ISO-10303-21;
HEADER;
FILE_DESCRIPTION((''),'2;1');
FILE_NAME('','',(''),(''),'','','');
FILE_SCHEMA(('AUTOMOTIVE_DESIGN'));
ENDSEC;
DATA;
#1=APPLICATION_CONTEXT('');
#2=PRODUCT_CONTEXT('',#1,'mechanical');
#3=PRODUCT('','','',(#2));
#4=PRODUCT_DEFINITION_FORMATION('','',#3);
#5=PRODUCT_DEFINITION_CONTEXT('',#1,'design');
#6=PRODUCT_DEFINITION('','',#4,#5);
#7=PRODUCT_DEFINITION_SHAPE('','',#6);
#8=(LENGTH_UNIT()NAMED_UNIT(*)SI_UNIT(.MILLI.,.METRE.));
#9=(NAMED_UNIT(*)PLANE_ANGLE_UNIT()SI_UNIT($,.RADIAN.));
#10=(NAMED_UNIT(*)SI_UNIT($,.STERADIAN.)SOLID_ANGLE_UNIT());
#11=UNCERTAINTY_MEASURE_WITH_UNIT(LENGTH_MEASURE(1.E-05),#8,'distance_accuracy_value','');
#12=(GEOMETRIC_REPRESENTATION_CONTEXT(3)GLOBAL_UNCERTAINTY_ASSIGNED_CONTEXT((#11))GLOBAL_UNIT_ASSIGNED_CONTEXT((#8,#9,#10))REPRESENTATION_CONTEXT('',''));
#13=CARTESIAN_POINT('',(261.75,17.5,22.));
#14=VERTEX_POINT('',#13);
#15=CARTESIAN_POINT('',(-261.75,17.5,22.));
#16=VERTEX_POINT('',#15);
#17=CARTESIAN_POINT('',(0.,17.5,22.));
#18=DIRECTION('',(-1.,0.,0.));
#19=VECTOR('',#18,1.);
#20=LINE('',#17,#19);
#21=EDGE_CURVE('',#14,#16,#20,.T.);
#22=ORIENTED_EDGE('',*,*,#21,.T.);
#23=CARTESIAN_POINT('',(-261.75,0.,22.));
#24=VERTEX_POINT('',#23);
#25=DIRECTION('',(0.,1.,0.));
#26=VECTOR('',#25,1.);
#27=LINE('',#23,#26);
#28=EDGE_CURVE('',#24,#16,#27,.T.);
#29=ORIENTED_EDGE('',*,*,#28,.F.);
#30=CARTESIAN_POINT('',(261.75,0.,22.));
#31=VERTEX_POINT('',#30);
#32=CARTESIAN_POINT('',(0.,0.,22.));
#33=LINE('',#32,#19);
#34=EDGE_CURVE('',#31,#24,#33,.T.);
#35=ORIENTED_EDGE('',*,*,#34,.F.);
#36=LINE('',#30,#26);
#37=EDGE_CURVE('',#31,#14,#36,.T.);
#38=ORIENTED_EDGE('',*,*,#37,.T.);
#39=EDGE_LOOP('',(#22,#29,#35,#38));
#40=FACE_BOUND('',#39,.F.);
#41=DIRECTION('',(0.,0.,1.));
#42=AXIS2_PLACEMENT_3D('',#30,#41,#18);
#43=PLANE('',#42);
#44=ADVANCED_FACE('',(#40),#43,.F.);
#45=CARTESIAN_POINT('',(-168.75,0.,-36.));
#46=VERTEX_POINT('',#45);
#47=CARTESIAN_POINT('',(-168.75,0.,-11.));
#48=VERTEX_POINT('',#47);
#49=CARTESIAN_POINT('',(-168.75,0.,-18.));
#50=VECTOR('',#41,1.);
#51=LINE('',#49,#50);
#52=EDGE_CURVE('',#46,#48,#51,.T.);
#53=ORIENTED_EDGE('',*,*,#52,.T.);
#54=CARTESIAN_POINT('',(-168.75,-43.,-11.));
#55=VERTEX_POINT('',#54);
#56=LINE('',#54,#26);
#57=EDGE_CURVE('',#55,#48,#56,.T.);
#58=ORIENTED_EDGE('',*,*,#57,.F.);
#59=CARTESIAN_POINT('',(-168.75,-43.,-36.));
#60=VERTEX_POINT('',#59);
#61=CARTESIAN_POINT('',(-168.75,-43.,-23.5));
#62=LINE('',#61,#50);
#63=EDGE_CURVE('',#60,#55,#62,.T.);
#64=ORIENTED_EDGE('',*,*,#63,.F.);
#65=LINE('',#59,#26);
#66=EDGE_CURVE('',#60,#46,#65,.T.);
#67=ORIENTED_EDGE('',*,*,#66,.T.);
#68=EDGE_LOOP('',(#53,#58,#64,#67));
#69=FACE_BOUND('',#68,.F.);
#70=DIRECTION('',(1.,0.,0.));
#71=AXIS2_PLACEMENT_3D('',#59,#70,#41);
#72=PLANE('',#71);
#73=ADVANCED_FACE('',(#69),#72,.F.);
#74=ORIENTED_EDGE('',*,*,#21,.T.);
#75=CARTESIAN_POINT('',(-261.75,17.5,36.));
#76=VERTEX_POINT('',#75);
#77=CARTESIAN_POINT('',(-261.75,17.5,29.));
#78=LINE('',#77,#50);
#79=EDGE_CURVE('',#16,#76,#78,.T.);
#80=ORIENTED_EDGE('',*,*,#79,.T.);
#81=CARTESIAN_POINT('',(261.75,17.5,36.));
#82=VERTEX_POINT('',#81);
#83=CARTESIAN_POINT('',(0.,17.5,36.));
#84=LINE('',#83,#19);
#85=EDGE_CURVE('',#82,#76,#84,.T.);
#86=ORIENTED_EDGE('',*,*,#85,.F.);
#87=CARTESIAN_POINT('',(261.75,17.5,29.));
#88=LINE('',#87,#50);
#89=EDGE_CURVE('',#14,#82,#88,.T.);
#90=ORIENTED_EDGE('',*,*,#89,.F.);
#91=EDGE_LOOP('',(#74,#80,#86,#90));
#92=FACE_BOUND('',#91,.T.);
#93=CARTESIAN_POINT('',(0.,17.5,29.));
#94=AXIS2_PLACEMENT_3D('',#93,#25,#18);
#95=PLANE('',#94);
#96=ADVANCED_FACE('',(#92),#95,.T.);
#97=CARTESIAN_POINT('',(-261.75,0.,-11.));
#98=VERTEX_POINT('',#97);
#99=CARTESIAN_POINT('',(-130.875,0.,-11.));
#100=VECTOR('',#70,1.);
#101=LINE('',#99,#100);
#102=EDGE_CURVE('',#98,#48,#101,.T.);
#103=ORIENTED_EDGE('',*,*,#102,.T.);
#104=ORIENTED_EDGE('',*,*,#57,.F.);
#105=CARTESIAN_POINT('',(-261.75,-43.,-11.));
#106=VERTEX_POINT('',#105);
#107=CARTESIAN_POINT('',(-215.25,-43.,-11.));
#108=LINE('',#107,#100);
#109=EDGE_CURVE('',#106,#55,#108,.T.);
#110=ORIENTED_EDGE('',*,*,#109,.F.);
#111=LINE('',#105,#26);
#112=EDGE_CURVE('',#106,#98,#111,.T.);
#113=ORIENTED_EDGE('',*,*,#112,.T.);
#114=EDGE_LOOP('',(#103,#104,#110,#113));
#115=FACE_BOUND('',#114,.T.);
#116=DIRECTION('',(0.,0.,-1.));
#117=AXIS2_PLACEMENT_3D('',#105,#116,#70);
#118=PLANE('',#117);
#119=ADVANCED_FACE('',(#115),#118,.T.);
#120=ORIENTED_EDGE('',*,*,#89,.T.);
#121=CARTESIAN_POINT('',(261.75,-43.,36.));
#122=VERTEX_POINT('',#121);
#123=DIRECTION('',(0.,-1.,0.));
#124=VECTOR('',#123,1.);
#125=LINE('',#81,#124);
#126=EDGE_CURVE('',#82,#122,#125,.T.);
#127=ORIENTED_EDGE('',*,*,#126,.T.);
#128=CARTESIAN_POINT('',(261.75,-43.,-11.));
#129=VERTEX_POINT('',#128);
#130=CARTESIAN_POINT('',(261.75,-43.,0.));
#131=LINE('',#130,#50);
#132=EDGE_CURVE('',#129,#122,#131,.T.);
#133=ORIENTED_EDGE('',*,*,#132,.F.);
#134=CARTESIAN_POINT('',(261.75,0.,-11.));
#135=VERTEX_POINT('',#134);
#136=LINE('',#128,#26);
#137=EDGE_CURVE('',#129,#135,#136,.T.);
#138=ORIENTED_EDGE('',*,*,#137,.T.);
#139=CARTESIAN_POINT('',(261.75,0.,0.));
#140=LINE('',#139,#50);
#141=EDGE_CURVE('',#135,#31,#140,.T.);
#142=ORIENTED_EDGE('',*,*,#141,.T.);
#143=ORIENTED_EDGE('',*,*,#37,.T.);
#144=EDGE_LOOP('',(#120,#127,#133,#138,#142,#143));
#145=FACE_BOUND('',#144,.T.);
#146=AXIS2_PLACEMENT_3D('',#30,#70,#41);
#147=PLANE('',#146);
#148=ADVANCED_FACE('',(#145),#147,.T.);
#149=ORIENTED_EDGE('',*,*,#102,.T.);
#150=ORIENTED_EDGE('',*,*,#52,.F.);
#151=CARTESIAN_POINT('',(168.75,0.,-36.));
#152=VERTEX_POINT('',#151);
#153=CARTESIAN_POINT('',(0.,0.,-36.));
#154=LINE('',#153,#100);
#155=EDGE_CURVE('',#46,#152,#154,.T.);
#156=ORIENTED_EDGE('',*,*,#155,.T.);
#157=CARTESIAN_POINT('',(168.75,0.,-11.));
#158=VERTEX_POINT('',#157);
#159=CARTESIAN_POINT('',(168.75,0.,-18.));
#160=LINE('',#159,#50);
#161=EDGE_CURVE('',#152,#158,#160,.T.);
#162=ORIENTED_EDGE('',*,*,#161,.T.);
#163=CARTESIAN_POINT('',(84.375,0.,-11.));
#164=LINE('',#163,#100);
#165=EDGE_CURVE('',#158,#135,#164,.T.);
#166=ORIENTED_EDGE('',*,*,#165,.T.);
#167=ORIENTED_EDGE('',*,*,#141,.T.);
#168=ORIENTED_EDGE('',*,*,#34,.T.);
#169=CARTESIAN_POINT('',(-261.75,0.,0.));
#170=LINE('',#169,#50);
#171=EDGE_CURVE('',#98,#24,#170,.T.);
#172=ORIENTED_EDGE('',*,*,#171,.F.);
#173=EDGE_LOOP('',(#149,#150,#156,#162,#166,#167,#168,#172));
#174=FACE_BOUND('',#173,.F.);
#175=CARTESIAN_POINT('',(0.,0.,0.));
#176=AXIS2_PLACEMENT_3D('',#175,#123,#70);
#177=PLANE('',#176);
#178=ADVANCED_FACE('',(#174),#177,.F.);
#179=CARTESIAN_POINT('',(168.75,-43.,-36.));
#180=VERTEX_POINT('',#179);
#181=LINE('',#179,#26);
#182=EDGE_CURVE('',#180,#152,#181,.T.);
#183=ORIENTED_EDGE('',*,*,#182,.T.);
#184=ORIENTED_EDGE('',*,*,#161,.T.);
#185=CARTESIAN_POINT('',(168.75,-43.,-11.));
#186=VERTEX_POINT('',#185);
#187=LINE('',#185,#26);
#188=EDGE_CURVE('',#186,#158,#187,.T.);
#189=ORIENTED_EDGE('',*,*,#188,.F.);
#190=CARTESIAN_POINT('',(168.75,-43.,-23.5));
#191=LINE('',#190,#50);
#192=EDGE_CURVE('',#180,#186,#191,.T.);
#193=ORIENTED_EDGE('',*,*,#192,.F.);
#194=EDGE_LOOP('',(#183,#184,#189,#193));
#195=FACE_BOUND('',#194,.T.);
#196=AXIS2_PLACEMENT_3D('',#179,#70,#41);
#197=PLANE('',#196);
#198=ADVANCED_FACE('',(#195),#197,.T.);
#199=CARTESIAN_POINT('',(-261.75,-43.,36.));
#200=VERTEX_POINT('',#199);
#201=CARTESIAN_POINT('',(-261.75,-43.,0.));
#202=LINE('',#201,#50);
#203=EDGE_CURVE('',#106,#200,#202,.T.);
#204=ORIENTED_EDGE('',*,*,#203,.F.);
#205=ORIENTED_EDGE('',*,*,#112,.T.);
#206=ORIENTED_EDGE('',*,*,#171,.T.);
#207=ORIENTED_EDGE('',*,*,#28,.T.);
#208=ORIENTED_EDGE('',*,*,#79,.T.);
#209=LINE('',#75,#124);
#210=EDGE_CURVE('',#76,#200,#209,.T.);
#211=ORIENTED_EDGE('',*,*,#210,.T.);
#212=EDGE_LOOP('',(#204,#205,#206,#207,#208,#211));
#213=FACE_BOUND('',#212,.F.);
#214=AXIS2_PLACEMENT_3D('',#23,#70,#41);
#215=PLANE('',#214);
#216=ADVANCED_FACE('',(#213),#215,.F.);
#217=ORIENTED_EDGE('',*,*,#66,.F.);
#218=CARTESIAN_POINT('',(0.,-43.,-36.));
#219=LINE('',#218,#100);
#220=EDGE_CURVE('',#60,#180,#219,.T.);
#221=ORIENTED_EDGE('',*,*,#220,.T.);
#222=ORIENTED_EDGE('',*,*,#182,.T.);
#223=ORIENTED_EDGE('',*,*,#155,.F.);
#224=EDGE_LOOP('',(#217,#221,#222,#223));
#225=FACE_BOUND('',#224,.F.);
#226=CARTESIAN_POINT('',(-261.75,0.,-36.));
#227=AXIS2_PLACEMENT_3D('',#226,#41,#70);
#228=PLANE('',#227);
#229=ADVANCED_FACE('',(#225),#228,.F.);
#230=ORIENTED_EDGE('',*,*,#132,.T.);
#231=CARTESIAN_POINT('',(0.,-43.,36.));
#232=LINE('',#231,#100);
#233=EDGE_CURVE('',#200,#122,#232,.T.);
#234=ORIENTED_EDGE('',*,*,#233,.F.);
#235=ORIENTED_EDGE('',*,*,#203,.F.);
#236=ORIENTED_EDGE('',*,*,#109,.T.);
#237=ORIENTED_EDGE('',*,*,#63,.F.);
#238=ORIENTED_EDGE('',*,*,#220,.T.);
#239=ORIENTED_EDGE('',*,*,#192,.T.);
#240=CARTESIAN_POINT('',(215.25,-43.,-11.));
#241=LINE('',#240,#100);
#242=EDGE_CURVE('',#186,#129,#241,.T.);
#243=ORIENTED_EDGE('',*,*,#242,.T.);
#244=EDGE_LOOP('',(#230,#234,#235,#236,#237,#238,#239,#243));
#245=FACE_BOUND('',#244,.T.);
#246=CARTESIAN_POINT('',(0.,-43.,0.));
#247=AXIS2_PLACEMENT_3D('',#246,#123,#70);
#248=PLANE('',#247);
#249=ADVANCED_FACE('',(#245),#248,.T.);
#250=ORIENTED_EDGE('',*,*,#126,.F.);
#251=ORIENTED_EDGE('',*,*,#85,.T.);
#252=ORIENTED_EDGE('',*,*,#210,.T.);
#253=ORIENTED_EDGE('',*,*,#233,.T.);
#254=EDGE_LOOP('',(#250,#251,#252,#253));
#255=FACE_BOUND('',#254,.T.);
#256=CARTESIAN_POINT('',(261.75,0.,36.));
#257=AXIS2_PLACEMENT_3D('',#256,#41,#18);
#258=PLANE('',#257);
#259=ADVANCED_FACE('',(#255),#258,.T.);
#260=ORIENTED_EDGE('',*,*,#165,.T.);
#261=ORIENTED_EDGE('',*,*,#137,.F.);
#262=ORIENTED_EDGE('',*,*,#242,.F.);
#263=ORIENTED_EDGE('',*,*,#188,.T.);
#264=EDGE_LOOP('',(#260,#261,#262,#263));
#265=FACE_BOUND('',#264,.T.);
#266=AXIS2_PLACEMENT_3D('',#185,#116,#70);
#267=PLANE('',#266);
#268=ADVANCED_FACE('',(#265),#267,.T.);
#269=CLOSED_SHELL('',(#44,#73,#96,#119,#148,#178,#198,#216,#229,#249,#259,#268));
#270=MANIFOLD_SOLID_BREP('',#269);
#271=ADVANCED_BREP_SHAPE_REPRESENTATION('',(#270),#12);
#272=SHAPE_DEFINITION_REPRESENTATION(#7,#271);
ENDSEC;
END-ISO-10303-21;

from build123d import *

# Parameters (mm, degrees)
F0_W     = 523.5
F0_H     = 72
F1_DEPTH = 43
F2_W     = 93
F2_H     = 25
F3_DEPTH = 93
F4_W     = 523.5
F4_H     = 14
F5_DEPTH = 17.5


with BuildPart() as f1:
    # F0 (on Front) → F1 (new body)
    with BuildSketch(Plane.XZ):
        Rectangle(F0_W, F0_H)
    extrude(amount=F1_DEPTH)

    # F2 (on face) → F3 (cut)
    with BuildSketch(Plane.XZ.offset(43)):
        with Locations((-215.25, -23.5)):
            Rectangle(F2_W, F2_H)
        with Locations((215.25, -23.5)):
            Rectangle(F2_W, F2_H)
    extrude(amount=-F3_DEPTH, mode=Mode.SUBTRACT)

    # F4 (on face) → F5 (join)
    with BuildSketch(Plane(origin=(0, 0, 0), x_dir=(-1, 0, 0), z_dir=(0, 1, 0))):
        with Locations((0, 29)):
            Rectangle(F4_W, F4_H)
    extrude(amount=F5_DEPTH)


solid = f1.part
